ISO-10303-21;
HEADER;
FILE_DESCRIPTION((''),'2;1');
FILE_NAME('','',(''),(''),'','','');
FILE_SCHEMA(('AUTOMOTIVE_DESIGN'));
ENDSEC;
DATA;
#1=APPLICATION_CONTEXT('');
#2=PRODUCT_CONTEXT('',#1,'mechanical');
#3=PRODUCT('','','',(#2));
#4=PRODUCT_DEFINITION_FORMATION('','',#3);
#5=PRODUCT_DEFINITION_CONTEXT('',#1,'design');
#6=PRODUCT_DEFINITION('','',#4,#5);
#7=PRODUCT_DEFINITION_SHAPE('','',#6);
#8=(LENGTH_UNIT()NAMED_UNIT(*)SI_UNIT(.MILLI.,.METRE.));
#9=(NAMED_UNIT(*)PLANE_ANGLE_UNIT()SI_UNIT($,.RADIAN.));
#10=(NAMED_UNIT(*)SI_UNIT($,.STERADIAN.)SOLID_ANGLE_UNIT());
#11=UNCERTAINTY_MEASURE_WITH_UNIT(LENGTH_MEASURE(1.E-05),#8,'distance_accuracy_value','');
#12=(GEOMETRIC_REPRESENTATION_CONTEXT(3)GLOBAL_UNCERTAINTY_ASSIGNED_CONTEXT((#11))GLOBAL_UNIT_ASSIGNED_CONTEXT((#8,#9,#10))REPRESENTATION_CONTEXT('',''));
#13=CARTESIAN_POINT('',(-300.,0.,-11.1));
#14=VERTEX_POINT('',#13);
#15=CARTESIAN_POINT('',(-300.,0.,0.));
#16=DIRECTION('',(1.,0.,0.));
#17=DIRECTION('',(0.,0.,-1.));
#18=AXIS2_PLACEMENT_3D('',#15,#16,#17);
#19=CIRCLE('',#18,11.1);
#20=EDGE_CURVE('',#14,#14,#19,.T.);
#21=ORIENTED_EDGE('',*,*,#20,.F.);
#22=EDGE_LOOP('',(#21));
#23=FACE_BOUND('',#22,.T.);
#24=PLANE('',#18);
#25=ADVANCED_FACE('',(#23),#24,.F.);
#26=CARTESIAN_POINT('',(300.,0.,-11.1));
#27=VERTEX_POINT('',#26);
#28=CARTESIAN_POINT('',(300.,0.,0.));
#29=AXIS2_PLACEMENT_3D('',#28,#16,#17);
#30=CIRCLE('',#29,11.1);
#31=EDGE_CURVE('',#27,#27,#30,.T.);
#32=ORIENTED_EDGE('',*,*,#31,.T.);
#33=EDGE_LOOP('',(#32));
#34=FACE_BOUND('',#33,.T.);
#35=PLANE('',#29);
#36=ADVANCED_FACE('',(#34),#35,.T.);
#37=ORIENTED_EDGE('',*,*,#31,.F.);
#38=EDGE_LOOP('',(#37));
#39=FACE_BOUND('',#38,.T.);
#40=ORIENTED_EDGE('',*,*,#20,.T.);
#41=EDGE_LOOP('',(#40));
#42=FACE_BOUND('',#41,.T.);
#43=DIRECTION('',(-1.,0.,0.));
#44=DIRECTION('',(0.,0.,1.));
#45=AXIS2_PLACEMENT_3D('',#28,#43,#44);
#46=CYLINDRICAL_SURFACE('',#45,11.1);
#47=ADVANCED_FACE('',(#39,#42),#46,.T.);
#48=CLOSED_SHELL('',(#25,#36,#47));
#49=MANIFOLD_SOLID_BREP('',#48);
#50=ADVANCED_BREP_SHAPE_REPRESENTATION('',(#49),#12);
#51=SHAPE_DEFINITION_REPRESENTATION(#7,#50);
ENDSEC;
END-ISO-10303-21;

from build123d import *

# Parameters (mm, degrees)
SKETCH1_R           = 11.1
BOSS_EXTRUDE1_DEPTH = 300


with BuildPart() as part:
    # Sketch1 → Boss-Extrude1 (new, symmetric)
    with BuildSketch(Plane(origin=(0, 0, 0), x_dir=(0, 0, -1), z_dir=(1, 0, 0))):
        Circle(SKETCH1_R)
    extrude(amount=BOSS_EXTRUDE1_DEPTH, both=True)


solid = part.part
